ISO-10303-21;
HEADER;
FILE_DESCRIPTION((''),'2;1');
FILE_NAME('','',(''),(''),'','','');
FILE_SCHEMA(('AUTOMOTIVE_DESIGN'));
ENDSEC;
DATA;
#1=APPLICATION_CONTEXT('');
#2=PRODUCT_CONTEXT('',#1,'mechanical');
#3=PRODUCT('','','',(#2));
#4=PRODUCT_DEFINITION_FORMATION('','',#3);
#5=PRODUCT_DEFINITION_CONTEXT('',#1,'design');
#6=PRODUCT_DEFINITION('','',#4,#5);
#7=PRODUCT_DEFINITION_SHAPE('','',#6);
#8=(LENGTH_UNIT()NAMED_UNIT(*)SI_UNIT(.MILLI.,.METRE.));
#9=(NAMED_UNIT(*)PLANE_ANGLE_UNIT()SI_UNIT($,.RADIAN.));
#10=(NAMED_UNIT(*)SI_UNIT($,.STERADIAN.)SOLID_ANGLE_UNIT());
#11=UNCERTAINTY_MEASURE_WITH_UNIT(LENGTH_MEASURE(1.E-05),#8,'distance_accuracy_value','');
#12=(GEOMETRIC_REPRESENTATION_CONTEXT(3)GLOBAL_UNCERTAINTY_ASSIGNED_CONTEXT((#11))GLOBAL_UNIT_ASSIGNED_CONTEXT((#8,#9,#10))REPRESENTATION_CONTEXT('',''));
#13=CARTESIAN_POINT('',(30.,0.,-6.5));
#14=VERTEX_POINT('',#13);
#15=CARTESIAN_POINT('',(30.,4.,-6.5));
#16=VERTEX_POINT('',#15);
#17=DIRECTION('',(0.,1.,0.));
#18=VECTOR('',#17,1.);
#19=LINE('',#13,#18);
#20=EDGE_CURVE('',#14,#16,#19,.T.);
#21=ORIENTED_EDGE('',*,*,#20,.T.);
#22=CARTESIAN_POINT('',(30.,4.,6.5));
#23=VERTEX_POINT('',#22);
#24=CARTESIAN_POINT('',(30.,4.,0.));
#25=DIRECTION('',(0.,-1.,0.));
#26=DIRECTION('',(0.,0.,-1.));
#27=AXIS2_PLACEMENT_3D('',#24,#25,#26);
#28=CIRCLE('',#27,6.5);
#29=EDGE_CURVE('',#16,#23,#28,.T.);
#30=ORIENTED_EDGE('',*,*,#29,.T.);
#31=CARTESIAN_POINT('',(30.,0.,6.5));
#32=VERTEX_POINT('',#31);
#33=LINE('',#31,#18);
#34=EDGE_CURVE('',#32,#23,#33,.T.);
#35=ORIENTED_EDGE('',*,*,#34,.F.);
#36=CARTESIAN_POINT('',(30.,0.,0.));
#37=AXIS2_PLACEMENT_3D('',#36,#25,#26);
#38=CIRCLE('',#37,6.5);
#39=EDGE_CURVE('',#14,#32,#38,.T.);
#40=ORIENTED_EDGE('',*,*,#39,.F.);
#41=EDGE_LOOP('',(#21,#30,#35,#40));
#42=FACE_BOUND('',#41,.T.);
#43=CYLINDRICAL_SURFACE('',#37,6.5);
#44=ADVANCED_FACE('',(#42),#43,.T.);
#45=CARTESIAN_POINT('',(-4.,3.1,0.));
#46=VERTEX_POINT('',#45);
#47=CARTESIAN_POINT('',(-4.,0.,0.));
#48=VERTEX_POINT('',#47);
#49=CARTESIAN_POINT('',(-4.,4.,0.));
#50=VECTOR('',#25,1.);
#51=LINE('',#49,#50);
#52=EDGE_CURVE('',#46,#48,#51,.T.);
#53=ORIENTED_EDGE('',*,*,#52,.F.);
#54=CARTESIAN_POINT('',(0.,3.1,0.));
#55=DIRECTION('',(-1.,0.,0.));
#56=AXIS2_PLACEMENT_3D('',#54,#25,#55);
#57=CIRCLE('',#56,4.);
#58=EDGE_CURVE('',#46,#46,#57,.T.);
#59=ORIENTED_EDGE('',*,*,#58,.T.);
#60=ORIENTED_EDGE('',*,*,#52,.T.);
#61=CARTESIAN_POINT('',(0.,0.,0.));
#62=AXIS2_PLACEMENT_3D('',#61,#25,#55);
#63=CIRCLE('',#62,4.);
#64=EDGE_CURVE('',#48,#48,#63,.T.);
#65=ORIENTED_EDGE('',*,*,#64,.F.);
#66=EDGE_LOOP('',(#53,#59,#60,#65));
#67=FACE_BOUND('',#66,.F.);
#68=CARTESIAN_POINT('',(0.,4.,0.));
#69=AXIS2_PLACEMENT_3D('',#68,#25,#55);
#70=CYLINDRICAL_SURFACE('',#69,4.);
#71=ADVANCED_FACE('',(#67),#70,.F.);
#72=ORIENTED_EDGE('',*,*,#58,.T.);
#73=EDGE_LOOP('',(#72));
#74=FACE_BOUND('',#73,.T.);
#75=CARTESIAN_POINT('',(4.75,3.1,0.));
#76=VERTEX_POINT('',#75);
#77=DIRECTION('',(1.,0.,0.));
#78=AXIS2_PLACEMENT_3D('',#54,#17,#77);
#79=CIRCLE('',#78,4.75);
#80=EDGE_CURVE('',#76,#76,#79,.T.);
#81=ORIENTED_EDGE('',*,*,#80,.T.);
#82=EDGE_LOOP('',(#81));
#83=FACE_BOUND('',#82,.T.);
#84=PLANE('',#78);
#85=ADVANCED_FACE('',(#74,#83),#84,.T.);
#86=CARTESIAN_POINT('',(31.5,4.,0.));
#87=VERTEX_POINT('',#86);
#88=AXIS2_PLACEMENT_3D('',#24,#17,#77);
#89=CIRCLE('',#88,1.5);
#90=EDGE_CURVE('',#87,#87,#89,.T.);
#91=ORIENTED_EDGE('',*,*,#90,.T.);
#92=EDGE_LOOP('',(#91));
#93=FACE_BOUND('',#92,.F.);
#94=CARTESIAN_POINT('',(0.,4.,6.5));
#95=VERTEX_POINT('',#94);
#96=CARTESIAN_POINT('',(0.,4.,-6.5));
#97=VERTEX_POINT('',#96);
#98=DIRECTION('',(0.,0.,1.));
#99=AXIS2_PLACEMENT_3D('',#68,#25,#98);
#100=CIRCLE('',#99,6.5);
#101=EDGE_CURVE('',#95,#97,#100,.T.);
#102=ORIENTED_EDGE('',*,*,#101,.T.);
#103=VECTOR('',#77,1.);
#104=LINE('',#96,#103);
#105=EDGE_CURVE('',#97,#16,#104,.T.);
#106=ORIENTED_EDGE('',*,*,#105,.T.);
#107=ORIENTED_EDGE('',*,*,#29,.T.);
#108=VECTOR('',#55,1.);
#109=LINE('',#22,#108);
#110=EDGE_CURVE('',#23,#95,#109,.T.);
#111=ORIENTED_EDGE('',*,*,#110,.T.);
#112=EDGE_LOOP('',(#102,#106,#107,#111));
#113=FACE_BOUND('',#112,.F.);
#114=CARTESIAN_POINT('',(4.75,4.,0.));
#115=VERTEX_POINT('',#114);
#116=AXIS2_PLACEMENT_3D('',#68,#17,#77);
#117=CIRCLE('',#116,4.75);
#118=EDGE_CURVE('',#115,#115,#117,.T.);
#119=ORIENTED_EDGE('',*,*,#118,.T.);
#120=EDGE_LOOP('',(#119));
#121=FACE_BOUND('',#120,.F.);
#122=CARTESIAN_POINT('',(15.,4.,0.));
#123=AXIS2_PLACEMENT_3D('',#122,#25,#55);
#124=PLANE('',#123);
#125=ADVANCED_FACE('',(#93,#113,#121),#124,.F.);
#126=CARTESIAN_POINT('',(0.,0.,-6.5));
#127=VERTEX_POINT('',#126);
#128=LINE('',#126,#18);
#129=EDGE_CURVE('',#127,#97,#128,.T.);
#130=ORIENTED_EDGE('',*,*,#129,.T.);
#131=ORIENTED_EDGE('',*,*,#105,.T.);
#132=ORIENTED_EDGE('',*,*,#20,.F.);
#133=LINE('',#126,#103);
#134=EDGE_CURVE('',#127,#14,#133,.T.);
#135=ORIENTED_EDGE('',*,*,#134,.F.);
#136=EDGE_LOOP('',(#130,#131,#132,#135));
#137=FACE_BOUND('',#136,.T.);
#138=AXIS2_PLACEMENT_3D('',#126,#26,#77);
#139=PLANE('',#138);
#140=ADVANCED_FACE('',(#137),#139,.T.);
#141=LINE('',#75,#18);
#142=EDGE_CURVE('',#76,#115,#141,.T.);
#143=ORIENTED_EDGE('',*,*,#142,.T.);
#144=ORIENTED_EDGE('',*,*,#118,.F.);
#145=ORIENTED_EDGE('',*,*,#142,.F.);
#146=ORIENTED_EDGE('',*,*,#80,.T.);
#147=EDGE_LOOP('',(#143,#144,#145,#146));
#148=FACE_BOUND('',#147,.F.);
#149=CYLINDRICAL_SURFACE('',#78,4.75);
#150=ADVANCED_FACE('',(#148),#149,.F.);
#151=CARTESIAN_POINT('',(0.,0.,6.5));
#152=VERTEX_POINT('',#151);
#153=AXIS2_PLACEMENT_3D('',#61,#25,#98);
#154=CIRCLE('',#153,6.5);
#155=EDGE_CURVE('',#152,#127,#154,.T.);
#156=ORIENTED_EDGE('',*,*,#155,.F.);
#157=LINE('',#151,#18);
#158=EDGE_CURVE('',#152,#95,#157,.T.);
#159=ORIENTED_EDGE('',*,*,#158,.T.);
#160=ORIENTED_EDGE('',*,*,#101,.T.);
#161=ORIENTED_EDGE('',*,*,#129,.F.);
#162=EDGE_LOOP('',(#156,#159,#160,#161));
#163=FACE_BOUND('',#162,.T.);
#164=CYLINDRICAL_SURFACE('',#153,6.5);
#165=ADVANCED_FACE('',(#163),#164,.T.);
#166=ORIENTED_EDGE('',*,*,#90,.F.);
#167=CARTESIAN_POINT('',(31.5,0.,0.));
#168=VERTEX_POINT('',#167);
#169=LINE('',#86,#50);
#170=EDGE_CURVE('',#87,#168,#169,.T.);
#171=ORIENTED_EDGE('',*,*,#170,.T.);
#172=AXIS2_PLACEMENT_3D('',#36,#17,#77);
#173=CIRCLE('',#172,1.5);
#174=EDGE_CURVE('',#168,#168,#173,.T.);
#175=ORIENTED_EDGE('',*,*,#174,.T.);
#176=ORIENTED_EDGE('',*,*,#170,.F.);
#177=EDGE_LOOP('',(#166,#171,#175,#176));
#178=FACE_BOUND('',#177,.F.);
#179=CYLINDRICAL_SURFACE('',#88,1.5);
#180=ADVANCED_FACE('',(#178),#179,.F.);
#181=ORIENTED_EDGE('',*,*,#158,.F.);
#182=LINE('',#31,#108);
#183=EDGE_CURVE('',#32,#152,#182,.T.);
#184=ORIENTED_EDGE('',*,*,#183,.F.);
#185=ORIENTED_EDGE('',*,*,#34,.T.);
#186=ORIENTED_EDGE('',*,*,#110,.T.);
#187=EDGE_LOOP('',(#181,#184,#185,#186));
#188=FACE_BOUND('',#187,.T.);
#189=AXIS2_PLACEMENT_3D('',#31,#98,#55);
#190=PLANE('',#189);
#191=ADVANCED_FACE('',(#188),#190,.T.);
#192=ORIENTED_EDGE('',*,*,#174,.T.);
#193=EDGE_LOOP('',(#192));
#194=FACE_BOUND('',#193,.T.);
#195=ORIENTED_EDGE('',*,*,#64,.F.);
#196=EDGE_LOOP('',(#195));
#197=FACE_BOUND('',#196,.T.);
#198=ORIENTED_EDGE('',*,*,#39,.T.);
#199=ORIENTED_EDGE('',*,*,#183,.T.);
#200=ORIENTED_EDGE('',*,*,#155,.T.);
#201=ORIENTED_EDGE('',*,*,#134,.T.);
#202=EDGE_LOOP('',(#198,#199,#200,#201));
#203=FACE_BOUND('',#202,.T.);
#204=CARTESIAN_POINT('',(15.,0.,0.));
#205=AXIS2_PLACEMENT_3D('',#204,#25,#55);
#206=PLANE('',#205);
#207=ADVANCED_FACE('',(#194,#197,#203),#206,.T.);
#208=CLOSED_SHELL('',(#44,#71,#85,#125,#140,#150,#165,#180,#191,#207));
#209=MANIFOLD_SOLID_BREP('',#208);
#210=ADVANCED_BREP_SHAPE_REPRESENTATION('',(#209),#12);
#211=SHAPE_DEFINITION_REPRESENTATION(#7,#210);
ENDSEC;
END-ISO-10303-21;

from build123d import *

# Parameters (mm, degrees)
EXTRUDE_1_DEPTH              = 4
HOLE_WIZARD_M5_1_D           = 8
HOLE_WIZARD_M5_1_DEPTH       = 12.4
HOLE_WIZARD_M5_1_CBORE_D     = 9.5
HOLE_WIZARD_M5_1_CBORE_DEPTH = 0.9
HOLE_WIZARD_M5_1_TIP         = 2.403442476
SKETCH_4_R                   = 1.5
CUT_EXTRUDE_1_DEPTH          = 1
CUT_EXTRUDE_1_DEPTH_BACK     = 5


with BuildPart() as part:
    # 草图1 → 凸台-拉伸1 (new body)
    with BuildSketch(Plane(origin=(0, 0, 0), x_dir=(1, 0, 0), z_dir=(0, 1, 0))):
        with BuildLine():
            Line((0, 6.5), (30, 6.5))
            ThreePointArc((30, 6.5), (36.5, 0), (30, -6.5))
            Line((30, -6.5), (0, -6.5))
            ThreePointArc((0, -6.5), (-6.5, 0), (0, 6.5))
        make_face()
    extrude(amount=EXTRUDE_1_DEPTH)

    # M5 六角头螺栓的柱形沉头孔1
    with Locations(Plane(origin=(0, 4, 0), x_dir=(1, 0, 0), z_dir=(0, 1, 0))):
        with Locations((0, 0)):
            CounterBoreHole(HOLE_WIZARD_M5_1_D / 2, HOLE_WIZARD_M5_1_CBORE_D / 2, HOLE_WIZARD_M5_1_CBORE_DEPTH, depth=HOLE_WIZARD_M5_1_DEPTH)
            with Locations((0, 0, -(HOLE_WIZARD_M5_1_DEPTH + HOLE_WIZARD_M5_1_TIP / 2))):  # 118° drill point
                Cone(0, HOLE_WIZARD_M5_1_D / 2, HOLE_WIZARD_M5_1_TIP, mode=Mode.SUBTRACT)

    # 草图4 → 切除-拉伸1 (cut, two sides)
    with BuildSketch(Plane(origin=(0, 4, 0), x_dir=(1, 0, 0), z_dir=(0, 1, 0))) as cut_extrude_1_sk:
        with Locations((30, 0)):
            Circle(SKETCH_4_R)
    extrude(amount=CUT_EXTRUDE_1_DEPTH, mode=Mode.SUBTRACT)
    extrude(cut_extrude_1_sk.sketch, amount=-CUT_EXTRUDE_1_DEPTH_BACK, mode=Mode.SUBTRACT)


solid = part.part
